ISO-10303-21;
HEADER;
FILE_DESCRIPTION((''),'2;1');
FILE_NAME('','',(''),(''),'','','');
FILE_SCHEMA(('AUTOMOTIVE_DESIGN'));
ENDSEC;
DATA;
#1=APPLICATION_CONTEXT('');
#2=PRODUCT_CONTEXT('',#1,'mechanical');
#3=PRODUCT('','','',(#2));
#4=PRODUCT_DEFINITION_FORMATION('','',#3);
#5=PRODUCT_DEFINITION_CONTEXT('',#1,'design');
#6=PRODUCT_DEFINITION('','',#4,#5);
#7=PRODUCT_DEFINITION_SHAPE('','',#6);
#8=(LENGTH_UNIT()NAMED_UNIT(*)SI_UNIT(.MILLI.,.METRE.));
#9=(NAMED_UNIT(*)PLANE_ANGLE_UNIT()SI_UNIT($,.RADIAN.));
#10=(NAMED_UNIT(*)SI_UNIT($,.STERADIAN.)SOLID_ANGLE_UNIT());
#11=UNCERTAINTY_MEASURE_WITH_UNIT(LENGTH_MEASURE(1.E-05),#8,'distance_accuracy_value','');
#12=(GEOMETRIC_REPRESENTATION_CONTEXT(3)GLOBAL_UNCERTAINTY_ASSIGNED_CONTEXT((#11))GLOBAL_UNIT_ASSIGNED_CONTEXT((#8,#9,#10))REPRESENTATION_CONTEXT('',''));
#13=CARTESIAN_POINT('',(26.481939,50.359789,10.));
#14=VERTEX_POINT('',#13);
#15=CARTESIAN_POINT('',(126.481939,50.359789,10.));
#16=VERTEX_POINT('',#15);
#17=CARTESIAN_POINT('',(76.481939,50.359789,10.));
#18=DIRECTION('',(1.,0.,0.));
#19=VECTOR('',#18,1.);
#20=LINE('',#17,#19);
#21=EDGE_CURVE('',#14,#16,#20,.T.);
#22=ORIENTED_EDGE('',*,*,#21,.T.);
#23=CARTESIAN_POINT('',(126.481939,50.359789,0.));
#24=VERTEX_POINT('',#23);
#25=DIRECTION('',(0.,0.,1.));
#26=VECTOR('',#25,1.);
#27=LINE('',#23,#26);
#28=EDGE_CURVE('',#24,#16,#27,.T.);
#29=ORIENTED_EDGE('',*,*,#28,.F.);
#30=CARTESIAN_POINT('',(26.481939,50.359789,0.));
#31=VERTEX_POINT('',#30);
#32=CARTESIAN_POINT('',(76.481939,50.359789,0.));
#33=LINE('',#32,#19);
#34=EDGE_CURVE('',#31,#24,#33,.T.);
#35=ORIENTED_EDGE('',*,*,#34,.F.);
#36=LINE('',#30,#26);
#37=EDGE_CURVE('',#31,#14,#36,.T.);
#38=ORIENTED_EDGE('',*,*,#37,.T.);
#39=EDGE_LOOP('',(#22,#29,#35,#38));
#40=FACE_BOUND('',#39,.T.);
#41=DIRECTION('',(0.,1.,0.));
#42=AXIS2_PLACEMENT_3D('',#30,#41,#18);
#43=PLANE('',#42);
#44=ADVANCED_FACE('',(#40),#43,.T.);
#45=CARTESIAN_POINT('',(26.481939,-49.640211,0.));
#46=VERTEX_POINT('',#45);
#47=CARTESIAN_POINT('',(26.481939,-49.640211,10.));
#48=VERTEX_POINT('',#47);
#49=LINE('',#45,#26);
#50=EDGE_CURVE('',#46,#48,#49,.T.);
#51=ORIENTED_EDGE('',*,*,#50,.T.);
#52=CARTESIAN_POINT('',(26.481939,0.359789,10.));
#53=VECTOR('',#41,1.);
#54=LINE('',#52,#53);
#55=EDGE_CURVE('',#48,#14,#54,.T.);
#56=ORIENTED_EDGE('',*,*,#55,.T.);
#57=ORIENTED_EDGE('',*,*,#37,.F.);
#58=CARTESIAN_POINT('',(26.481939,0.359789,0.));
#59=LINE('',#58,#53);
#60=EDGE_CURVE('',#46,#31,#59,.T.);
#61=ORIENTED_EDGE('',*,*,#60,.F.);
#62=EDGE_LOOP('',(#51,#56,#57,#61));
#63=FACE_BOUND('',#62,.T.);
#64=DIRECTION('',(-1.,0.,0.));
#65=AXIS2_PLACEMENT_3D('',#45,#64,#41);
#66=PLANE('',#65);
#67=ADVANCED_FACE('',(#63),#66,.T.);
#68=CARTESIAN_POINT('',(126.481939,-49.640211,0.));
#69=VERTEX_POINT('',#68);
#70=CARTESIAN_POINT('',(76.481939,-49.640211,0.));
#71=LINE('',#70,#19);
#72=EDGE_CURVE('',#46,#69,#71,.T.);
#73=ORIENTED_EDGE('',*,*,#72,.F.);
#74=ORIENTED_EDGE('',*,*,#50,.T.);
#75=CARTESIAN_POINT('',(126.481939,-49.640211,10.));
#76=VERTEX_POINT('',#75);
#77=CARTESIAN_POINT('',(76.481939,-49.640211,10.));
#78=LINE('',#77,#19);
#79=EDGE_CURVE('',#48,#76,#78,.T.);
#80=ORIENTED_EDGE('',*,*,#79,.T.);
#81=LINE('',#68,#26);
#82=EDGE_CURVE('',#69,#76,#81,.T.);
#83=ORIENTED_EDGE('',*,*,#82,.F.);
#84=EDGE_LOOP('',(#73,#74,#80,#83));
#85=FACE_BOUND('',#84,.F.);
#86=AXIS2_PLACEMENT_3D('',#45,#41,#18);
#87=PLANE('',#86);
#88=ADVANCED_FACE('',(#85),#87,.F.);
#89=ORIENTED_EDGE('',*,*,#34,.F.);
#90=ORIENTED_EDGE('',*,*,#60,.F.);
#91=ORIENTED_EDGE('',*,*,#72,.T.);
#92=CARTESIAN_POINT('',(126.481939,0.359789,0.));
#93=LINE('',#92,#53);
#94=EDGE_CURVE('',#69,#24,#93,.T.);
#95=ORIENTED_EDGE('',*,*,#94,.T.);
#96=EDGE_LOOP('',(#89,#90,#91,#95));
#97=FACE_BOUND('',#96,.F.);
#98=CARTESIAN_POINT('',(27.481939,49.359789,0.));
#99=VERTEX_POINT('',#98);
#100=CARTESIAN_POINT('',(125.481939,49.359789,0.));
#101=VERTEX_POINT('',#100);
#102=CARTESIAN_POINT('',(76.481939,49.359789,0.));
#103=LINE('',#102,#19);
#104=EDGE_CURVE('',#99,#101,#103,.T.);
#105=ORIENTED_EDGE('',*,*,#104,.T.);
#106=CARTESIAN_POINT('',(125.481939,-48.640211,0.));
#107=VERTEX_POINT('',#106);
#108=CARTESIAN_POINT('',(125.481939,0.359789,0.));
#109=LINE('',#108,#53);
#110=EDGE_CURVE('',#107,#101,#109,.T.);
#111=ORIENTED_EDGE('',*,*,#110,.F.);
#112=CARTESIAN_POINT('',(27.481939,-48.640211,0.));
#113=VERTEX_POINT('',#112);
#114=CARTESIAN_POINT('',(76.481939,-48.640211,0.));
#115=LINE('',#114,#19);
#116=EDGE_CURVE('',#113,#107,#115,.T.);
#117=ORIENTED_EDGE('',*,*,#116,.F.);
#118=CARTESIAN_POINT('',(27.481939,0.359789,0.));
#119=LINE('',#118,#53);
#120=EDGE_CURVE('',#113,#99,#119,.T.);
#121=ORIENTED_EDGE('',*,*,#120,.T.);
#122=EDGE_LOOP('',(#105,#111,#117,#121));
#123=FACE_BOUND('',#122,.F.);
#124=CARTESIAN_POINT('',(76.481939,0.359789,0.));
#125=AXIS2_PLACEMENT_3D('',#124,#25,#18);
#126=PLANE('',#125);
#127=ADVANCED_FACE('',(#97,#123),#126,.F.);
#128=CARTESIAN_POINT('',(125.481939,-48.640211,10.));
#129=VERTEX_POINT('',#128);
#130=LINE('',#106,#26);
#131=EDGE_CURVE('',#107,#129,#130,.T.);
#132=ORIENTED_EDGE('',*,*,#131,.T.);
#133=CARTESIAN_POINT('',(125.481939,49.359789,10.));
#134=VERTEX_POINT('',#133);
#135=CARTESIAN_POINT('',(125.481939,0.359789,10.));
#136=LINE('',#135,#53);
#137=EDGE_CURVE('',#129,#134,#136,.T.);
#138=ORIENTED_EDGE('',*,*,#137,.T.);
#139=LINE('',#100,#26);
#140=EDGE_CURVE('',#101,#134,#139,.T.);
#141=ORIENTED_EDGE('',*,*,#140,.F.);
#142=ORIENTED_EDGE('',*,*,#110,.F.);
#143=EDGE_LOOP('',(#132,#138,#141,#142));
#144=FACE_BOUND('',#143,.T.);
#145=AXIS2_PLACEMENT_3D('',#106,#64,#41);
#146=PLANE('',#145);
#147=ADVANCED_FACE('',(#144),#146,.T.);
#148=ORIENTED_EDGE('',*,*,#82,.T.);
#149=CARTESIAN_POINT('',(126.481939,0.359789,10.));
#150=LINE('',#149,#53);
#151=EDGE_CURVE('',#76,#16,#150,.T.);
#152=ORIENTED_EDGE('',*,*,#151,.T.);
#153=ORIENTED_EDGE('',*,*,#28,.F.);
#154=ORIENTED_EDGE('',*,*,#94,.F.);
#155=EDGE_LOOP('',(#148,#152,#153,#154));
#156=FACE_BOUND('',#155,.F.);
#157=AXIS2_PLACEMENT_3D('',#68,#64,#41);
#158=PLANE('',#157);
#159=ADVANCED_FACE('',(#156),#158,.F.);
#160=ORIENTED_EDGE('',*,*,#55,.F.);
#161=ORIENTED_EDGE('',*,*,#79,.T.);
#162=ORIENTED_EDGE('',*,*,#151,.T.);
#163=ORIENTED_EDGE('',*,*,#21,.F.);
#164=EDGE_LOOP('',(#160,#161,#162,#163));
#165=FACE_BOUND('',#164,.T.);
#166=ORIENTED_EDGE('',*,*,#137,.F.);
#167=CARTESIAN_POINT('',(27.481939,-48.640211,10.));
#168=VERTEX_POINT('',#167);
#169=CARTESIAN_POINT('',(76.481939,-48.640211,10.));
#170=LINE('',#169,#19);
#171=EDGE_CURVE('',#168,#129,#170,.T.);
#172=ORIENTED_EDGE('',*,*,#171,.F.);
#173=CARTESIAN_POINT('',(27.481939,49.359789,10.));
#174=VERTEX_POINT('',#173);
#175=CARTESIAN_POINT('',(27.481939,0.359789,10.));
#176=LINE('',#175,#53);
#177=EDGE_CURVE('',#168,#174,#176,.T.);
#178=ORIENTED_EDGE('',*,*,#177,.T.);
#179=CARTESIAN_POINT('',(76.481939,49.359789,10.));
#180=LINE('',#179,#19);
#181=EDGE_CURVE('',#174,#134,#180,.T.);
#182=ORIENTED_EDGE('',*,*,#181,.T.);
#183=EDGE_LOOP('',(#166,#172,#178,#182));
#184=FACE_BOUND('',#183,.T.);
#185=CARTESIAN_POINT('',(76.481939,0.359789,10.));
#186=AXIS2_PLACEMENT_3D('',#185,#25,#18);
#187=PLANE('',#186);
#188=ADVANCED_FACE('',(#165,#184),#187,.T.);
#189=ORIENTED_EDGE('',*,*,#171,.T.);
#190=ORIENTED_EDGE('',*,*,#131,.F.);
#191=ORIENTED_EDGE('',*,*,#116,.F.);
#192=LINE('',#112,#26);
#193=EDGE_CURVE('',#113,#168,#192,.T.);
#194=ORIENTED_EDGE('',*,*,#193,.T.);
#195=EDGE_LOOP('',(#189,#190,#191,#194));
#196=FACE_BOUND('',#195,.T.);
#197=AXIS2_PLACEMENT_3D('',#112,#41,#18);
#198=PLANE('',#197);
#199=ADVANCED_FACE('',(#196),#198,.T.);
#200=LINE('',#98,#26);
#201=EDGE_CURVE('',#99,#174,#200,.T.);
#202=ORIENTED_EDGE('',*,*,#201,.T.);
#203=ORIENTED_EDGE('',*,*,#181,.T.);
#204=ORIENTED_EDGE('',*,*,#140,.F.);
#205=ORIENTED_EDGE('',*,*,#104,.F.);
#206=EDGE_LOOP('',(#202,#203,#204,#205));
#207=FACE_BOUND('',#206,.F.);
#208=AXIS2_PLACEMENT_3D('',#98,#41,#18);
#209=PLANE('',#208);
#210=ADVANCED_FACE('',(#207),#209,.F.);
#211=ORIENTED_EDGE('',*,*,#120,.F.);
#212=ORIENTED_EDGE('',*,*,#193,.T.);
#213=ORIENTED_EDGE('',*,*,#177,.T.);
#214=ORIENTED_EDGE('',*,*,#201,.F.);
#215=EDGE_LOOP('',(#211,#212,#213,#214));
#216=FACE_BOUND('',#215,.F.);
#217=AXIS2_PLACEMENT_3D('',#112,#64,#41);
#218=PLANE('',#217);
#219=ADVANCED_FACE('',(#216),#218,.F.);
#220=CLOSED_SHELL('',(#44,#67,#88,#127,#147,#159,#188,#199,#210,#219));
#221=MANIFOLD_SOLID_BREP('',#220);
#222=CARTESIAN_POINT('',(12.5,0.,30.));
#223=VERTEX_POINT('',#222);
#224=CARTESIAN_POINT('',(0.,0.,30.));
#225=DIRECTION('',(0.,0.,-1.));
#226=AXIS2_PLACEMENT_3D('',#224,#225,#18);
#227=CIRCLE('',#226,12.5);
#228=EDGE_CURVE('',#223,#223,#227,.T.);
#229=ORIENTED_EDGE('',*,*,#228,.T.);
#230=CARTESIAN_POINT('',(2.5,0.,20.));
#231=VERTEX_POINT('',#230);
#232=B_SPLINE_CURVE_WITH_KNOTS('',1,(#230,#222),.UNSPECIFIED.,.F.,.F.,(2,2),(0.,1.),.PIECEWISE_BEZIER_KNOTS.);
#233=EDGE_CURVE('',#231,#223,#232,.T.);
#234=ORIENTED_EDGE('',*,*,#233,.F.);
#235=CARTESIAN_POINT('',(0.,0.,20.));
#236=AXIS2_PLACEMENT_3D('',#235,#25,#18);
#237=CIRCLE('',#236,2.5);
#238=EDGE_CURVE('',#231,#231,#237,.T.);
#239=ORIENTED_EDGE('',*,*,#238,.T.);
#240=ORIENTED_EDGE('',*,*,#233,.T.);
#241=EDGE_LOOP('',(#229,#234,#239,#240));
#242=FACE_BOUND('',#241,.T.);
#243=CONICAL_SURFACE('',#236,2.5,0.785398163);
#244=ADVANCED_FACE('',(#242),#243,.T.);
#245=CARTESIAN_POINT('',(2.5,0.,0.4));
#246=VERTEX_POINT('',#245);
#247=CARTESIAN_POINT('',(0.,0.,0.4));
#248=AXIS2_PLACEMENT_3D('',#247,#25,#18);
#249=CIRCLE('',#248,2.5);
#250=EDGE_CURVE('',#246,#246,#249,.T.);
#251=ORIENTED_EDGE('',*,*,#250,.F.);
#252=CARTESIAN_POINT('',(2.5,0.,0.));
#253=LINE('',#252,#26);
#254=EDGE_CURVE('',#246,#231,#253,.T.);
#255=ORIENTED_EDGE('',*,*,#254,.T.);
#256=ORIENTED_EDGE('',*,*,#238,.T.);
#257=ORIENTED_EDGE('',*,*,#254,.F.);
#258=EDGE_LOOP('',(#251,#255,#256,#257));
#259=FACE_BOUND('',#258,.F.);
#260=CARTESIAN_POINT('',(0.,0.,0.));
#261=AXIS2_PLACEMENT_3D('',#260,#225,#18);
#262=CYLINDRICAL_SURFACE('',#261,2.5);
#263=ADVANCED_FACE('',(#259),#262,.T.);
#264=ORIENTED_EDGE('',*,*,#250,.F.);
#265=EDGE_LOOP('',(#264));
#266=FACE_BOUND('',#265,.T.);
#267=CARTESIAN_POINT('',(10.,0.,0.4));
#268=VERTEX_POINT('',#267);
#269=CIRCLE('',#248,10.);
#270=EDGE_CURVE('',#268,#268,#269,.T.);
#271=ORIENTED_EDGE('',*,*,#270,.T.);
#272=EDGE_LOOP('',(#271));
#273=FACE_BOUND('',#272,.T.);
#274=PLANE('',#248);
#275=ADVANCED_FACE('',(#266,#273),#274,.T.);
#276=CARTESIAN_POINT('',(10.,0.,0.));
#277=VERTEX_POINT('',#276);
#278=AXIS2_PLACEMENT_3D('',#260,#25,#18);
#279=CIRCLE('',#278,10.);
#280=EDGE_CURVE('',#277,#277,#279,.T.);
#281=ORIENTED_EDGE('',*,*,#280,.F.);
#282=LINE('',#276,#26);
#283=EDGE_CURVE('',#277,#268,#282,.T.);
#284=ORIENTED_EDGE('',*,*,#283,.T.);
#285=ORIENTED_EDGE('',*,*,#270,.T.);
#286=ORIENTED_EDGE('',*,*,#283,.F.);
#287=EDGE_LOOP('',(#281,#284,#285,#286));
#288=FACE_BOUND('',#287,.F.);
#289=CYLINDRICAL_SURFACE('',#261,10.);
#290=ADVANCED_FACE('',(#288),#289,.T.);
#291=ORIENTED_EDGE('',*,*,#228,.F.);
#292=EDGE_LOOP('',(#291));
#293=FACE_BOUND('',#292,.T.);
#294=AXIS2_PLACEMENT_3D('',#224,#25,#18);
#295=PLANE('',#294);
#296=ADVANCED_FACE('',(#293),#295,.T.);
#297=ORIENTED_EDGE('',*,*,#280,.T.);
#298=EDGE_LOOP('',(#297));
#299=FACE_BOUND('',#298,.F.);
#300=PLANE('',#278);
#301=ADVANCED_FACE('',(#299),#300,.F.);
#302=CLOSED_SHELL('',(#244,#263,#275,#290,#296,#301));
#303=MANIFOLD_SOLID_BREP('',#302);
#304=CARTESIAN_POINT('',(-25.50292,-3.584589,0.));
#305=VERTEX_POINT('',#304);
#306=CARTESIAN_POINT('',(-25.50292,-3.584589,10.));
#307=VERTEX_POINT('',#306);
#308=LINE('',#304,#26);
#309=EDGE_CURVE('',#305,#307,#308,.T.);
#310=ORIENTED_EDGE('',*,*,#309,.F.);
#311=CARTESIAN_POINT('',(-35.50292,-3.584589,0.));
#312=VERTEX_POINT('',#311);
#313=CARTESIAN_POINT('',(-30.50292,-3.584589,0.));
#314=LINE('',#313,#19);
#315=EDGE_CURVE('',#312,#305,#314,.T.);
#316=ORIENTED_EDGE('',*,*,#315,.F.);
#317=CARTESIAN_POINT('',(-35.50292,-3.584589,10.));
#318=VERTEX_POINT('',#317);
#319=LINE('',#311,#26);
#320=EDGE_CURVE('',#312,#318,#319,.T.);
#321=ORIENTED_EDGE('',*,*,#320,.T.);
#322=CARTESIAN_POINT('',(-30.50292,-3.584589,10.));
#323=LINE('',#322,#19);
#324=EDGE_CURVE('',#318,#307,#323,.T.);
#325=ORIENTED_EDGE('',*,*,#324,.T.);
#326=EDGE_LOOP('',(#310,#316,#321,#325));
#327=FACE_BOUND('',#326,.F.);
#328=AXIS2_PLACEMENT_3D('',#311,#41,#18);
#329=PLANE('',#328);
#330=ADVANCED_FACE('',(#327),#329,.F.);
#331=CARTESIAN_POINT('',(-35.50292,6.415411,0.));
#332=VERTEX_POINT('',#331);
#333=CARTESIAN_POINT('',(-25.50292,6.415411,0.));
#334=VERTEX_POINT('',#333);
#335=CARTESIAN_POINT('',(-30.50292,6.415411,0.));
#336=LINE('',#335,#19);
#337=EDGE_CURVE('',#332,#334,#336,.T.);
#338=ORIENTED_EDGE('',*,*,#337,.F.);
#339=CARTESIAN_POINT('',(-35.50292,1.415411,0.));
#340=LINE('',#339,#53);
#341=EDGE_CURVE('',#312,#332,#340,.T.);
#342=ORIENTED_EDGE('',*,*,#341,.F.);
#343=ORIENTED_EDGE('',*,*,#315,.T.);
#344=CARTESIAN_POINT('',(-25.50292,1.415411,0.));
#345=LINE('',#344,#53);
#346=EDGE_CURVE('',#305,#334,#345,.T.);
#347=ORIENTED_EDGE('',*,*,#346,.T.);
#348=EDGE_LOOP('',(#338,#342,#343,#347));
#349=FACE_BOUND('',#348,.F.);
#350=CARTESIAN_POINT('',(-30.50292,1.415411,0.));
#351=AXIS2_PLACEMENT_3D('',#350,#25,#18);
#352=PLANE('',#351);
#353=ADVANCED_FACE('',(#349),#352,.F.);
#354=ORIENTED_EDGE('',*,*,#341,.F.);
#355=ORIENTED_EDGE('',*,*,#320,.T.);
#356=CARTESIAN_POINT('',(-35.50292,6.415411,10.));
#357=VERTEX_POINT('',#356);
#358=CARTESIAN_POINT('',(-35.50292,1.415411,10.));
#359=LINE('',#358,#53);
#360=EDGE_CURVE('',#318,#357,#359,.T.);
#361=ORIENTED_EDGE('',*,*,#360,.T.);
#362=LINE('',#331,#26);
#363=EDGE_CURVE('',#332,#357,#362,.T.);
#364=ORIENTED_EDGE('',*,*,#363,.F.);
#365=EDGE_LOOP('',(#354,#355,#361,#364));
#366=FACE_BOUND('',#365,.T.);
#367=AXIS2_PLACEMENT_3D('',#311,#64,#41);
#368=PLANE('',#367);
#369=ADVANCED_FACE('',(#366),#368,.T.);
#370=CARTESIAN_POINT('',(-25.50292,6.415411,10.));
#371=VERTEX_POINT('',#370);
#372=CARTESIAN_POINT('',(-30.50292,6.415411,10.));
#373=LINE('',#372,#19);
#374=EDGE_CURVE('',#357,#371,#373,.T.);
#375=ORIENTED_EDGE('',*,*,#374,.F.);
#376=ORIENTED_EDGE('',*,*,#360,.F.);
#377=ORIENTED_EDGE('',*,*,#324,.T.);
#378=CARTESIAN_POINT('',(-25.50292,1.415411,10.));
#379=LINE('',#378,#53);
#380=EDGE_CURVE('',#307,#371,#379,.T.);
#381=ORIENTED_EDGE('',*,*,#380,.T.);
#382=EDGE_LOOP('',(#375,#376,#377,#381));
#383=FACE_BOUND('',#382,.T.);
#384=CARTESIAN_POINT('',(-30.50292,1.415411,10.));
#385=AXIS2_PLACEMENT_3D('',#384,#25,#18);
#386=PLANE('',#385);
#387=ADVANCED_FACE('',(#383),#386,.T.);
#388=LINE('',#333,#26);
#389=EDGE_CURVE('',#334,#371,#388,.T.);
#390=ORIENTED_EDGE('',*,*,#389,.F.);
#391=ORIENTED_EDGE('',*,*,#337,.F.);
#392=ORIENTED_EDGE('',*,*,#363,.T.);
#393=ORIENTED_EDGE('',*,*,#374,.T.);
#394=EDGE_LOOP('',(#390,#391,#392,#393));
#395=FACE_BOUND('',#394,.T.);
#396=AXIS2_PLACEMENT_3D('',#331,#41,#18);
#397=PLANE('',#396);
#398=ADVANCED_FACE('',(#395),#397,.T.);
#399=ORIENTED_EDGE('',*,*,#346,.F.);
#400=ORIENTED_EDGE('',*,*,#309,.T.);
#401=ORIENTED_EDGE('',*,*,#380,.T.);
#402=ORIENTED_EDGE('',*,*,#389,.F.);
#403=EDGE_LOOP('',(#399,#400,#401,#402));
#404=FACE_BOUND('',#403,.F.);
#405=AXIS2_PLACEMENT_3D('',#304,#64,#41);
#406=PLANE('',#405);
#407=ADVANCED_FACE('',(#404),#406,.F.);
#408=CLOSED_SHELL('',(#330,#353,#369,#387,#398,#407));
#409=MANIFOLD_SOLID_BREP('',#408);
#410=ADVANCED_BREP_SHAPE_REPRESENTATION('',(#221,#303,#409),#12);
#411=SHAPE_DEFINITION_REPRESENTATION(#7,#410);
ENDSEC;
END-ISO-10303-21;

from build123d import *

# Parameters (mm, degrees)
F0_R      = 10
F0_R_2    = 2.5
F1_DEPTH  = 0.4
F2_DEPTH  = 20
F2_FACE_R = 2.5
F3_DEPTH  = 10
F3_TAPER  = -45
F4_W      = 10
F4_H      = 10
F5_DEPTH  = 10
F6_W      = 100
F6_H      = 100
F6_W_2    = 98
F6_H_2    = 98
F7_DEPTH  = 10


with BuildPart() as f1:
    # F0 (on Top) → F1 (new body)
    with BuildSketch(Plane.XY):
        Circle(F0_R)
        Circle(F0_R_2, mode=Mode.SUBTRACT)
    extrude(amount=F1_DEPTH)

    # F0 (on Top) → F2 (join)
    with BuildSketch(Plane.XY):
        Circle(F0_R_2)
    extrude(amount=F2_DEPTH)

    # F2_face (on face) → F3 (join)
    with BuildSketch(Plane.XY.offset(20)):
        Circle(F2_FACE_R)
    extrude(amount=F3_DEPTH, taper=F3_TAPER)


with BuildPart() as f5:
    # F4 (on Top) → F5 (new body)
    with BuildSketch(Plane.XY):
        with Locations((-30.5029201508, 1.415411355)):
            Rectangle(F4_W, F4_H)
    extrude(amount=F5_DEPTH)


with BuildPart() as f7:
    # F6 (on Top) → F7 (new body)
    with BuildSketch(Plane.XY):
        with Locations((76.4819394797, 0.3597892821)):
            Rectangle(F6_W, F6_H)
        with Locations((76.4819394797, 0.3597892821)):
            Rectangle(F6_W_2, F6_H_2, mode=Mode.SUBTRACT)
    extrude(amount=F7_DEPTH)


solid = Compound([f1.part, f5.part, f7.part])
